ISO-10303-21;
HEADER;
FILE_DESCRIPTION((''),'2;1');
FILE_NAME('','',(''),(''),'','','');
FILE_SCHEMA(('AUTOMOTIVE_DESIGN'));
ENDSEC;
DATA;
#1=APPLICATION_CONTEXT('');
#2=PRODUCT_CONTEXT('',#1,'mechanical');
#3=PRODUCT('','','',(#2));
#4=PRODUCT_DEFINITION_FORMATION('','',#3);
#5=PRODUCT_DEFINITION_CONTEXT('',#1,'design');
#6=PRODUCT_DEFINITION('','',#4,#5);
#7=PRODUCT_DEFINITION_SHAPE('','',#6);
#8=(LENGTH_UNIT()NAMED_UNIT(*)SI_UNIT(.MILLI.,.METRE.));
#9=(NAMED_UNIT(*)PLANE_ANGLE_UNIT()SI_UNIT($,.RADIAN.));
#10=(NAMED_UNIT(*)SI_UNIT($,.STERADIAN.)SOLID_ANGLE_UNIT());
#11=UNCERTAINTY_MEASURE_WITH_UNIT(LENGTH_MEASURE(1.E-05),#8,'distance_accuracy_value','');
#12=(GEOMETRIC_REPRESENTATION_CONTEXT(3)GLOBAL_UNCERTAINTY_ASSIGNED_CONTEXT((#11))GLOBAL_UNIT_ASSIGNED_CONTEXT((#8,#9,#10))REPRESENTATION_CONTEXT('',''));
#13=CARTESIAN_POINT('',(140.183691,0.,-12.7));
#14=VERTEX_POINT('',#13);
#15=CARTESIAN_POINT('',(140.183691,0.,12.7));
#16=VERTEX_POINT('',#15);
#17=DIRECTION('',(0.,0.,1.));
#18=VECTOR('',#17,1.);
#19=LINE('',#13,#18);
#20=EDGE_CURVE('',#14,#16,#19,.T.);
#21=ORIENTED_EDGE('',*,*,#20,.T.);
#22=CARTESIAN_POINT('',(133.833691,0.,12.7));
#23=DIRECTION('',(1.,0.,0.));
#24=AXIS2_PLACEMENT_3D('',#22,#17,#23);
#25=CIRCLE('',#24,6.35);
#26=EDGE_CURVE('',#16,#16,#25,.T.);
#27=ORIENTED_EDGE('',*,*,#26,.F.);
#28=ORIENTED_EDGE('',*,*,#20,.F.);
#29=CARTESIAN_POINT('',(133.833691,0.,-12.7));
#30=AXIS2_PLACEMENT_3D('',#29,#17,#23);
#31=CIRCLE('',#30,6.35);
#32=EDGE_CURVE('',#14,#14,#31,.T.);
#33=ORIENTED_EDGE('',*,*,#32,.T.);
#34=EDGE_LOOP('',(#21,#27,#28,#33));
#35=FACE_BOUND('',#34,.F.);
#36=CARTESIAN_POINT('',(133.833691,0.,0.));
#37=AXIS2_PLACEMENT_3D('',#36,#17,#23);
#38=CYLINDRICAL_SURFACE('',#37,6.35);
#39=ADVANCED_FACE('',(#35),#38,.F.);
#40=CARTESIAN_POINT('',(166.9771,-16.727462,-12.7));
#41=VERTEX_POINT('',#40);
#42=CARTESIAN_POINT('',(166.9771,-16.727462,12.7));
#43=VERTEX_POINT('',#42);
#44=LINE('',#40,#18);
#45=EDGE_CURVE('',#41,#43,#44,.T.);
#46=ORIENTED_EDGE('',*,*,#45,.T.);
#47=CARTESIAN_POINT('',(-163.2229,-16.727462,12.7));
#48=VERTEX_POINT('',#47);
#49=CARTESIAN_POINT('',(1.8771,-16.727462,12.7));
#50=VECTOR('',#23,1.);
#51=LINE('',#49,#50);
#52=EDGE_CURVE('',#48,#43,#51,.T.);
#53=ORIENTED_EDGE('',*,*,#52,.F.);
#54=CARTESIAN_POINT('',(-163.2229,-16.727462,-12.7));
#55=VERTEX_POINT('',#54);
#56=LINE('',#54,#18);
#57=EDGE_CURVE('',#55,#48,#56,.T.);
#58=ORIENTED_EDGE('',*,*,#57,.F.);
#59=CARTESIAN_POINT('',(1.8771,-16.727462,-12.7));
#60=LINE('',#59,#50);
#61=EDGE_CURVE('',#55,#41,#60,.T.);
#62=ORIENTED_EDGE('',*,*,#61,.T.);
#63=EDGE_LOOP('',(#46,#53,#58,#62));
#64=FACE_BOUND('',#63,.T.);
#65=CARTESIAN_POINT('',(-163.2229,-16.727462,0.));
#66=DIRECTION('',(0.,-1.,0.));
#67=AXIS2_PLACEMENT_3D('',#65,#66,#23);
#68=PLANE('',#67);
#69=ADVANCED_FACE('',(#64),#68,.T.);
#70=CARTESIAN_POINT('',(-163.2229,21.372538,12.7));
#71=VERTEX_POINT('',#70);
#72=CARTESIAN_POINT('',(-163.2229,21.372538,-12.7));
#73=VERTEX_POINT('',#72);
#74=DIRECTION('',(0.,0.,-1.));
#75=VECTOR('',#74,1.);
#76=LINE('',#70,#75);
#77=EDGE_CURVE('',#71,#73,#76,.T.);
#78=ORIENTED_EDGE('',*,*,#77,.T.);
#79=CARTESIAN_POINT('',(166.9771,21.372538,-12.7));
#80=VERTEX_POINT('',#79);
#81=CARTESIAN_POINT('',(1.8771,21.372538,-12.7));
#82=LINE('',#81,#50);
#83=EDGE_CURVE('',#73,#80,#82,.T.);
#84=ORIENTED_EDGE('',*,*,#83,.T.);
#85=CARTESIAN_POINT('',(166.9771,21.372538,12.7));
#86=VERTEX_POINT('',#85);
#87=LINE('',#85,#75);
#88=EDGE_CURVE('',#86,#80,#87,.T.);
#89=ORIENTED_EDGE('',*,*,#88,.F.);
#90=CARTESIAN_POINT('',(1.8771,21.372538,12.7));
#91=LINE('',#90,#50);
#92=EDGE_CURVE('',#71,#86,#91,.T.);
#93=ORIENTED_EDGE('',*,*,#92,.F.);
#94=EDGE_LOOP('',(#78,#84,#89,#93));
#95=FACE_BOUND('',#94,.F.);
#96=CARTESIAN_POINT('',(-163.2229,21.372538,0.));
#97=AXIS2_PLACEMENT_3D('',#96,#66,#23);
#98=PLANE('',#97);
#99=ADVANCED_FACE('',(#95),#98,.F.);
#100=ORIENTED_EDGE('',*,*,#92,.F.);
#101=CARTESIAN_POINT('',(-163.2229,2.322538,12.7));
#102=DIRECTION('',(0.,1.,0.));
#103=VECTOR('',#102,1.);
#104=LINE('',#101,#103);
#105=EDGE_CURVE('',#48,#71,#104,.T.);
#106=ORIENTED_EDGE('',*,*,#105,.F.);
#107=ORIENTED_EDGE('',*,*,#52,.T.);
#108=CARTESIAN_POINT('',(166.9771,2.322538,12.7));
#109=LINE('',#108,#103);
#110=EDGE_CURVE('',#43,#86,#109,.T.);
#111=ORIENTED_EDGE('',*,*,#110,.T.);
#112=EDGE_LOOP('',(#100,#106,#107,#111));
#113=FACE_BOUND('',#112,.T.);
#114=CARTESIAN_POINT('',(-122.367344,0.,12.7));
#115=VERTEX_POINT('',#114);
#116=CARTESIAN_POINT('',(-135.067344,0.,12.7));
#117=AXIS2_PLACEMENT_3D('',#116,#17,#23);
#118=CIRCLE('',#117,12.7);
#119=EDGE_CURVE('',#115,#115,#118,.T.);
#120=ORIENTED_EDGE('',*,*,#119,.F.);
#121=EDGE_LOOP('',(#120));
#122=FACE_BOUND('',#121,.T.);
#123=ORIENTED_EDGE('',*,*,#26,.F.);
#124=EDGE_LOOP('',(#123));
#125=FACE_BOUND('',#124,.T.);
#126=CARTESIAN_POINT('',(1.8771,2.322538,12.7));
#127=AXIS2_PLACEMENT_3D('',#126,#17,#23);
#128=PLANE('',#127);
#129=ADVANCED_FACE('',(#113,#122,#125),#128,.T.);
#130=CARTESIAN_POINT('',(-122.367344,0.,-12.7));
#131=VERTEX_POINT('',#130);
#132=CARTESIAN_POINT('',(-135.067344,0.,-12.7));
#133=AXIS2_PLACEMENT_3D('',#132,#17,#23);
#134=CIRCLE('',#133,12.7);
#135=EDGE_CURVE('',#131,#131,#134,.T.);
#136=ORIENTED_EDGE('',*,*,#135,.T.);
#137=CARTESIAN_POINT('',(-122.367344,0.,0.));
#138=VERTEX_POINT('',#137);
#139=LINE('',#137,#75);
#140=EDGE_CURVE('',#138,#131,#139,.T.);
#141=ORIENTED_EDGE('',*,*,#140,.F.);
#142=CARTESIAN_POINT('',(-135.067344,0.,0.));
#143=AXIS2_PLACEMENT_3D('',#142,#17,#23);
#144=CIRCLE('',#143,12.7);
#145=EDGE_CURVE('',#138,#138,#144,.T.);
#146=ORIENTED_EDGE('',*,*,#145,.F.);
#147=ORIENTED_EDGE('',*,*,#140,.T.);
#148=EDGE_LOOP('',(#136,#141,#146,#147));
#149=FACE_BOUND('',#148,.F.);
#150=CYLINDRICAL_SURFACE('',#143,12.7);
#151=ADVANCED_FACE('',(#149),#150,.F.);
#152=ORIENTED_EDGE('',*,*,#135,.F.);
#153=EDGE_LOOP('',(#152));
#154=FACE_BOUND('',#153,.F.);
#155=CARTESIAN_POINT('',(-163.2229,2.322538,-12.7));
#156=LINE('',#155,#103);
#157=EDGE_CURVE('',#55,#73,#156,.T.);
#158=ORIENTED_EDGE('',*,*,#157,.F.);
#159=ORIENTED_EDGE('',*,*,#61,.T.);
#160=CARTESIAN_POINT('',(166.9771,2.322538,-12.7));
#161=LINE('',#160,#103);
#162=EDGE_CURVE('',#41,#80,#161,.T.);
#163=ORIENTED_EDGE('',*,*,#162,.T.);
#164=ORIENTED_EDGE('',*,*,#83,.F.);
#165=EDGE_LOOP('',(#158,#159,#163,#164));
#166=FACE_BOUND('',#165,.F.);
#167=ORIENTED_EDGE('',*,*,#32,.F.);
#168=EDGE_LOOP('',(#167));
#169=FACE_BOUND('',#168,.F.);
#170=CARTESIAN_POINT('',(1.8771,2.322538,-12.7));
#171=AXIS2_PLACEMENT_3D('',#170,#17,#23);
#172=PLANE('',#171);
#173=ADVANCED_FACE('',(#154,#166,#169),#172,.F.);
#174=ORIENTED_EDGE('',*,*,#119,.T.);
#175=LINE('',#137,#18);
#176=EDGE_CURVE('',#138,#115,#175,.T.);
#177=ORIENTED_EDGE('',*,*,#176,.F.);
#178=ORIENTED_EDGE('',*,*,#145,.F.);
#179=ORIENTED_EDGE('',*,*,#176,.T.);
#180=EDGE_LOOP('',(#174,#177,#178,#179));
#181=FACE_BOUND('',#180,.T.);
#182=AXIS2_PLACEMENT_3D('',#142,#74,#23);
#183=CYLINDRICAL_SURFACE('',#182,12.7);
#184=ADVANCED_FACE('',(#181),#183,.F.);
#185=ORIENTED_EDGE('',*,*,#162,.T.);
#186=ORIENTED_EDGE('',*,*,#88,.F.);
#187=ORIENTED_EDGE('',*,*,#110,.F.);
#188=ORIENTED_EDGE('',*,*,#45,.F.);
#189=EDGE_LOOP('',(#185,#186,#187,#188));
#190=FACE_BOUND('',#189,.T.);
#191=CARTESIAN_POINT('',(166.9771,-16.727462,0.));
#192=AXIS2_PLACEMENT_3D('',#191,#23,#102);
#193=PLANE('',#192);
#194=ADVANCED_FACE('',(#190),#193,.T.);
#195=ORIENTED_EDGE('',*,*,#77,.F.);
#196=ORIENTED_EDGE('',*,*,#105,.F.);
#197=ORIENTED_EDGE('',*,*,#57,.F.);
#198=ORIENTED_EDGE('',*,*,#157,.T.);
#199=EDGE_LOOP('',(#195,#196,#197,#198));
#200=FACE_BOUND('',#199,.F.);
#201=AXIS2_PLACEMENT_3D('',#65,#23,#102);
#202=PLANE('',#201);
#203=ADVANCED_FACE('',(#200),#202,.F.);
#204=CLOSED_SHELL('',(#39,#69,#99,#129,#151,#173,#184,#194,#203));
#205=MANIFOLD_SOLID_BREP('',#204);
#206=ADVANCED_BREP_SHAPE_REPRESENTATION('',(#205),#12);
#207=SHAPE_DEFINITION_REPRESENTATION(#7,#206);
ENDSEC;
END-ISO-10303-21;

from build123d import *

# Parameters (mm, degrees)
F0_W     = 330.2
F0_H     = 38.1
F2_DEPTH = 12.7
F1_R     = 12.7
F1_R_2   = 6.35
F3_DEPTH = 12.7


with BuildPart() as f2:
    # F0 (on Top) → F2 (new body, symmetric)
    with BuildSketch(Plane.XY):
        with Locations((1.8771, 2.322538)):
            Rectangle(F0_W, F0_H)
    extrude(amount=F2_DEPTH, both=True)

    # F1 (on Top) → F3 (cut, symmetric)
    with BuildSketch(Plane.XY):
        with Locations((-135.067344, 0)):
            Circle(F1_R)
        with Locations((133.833691, 0)):
            Circle(F1_R_2)
    extrude(amount=F3_DEPTH, both=True, mode=Mode.SUBTRACT)


solid = f2.part
